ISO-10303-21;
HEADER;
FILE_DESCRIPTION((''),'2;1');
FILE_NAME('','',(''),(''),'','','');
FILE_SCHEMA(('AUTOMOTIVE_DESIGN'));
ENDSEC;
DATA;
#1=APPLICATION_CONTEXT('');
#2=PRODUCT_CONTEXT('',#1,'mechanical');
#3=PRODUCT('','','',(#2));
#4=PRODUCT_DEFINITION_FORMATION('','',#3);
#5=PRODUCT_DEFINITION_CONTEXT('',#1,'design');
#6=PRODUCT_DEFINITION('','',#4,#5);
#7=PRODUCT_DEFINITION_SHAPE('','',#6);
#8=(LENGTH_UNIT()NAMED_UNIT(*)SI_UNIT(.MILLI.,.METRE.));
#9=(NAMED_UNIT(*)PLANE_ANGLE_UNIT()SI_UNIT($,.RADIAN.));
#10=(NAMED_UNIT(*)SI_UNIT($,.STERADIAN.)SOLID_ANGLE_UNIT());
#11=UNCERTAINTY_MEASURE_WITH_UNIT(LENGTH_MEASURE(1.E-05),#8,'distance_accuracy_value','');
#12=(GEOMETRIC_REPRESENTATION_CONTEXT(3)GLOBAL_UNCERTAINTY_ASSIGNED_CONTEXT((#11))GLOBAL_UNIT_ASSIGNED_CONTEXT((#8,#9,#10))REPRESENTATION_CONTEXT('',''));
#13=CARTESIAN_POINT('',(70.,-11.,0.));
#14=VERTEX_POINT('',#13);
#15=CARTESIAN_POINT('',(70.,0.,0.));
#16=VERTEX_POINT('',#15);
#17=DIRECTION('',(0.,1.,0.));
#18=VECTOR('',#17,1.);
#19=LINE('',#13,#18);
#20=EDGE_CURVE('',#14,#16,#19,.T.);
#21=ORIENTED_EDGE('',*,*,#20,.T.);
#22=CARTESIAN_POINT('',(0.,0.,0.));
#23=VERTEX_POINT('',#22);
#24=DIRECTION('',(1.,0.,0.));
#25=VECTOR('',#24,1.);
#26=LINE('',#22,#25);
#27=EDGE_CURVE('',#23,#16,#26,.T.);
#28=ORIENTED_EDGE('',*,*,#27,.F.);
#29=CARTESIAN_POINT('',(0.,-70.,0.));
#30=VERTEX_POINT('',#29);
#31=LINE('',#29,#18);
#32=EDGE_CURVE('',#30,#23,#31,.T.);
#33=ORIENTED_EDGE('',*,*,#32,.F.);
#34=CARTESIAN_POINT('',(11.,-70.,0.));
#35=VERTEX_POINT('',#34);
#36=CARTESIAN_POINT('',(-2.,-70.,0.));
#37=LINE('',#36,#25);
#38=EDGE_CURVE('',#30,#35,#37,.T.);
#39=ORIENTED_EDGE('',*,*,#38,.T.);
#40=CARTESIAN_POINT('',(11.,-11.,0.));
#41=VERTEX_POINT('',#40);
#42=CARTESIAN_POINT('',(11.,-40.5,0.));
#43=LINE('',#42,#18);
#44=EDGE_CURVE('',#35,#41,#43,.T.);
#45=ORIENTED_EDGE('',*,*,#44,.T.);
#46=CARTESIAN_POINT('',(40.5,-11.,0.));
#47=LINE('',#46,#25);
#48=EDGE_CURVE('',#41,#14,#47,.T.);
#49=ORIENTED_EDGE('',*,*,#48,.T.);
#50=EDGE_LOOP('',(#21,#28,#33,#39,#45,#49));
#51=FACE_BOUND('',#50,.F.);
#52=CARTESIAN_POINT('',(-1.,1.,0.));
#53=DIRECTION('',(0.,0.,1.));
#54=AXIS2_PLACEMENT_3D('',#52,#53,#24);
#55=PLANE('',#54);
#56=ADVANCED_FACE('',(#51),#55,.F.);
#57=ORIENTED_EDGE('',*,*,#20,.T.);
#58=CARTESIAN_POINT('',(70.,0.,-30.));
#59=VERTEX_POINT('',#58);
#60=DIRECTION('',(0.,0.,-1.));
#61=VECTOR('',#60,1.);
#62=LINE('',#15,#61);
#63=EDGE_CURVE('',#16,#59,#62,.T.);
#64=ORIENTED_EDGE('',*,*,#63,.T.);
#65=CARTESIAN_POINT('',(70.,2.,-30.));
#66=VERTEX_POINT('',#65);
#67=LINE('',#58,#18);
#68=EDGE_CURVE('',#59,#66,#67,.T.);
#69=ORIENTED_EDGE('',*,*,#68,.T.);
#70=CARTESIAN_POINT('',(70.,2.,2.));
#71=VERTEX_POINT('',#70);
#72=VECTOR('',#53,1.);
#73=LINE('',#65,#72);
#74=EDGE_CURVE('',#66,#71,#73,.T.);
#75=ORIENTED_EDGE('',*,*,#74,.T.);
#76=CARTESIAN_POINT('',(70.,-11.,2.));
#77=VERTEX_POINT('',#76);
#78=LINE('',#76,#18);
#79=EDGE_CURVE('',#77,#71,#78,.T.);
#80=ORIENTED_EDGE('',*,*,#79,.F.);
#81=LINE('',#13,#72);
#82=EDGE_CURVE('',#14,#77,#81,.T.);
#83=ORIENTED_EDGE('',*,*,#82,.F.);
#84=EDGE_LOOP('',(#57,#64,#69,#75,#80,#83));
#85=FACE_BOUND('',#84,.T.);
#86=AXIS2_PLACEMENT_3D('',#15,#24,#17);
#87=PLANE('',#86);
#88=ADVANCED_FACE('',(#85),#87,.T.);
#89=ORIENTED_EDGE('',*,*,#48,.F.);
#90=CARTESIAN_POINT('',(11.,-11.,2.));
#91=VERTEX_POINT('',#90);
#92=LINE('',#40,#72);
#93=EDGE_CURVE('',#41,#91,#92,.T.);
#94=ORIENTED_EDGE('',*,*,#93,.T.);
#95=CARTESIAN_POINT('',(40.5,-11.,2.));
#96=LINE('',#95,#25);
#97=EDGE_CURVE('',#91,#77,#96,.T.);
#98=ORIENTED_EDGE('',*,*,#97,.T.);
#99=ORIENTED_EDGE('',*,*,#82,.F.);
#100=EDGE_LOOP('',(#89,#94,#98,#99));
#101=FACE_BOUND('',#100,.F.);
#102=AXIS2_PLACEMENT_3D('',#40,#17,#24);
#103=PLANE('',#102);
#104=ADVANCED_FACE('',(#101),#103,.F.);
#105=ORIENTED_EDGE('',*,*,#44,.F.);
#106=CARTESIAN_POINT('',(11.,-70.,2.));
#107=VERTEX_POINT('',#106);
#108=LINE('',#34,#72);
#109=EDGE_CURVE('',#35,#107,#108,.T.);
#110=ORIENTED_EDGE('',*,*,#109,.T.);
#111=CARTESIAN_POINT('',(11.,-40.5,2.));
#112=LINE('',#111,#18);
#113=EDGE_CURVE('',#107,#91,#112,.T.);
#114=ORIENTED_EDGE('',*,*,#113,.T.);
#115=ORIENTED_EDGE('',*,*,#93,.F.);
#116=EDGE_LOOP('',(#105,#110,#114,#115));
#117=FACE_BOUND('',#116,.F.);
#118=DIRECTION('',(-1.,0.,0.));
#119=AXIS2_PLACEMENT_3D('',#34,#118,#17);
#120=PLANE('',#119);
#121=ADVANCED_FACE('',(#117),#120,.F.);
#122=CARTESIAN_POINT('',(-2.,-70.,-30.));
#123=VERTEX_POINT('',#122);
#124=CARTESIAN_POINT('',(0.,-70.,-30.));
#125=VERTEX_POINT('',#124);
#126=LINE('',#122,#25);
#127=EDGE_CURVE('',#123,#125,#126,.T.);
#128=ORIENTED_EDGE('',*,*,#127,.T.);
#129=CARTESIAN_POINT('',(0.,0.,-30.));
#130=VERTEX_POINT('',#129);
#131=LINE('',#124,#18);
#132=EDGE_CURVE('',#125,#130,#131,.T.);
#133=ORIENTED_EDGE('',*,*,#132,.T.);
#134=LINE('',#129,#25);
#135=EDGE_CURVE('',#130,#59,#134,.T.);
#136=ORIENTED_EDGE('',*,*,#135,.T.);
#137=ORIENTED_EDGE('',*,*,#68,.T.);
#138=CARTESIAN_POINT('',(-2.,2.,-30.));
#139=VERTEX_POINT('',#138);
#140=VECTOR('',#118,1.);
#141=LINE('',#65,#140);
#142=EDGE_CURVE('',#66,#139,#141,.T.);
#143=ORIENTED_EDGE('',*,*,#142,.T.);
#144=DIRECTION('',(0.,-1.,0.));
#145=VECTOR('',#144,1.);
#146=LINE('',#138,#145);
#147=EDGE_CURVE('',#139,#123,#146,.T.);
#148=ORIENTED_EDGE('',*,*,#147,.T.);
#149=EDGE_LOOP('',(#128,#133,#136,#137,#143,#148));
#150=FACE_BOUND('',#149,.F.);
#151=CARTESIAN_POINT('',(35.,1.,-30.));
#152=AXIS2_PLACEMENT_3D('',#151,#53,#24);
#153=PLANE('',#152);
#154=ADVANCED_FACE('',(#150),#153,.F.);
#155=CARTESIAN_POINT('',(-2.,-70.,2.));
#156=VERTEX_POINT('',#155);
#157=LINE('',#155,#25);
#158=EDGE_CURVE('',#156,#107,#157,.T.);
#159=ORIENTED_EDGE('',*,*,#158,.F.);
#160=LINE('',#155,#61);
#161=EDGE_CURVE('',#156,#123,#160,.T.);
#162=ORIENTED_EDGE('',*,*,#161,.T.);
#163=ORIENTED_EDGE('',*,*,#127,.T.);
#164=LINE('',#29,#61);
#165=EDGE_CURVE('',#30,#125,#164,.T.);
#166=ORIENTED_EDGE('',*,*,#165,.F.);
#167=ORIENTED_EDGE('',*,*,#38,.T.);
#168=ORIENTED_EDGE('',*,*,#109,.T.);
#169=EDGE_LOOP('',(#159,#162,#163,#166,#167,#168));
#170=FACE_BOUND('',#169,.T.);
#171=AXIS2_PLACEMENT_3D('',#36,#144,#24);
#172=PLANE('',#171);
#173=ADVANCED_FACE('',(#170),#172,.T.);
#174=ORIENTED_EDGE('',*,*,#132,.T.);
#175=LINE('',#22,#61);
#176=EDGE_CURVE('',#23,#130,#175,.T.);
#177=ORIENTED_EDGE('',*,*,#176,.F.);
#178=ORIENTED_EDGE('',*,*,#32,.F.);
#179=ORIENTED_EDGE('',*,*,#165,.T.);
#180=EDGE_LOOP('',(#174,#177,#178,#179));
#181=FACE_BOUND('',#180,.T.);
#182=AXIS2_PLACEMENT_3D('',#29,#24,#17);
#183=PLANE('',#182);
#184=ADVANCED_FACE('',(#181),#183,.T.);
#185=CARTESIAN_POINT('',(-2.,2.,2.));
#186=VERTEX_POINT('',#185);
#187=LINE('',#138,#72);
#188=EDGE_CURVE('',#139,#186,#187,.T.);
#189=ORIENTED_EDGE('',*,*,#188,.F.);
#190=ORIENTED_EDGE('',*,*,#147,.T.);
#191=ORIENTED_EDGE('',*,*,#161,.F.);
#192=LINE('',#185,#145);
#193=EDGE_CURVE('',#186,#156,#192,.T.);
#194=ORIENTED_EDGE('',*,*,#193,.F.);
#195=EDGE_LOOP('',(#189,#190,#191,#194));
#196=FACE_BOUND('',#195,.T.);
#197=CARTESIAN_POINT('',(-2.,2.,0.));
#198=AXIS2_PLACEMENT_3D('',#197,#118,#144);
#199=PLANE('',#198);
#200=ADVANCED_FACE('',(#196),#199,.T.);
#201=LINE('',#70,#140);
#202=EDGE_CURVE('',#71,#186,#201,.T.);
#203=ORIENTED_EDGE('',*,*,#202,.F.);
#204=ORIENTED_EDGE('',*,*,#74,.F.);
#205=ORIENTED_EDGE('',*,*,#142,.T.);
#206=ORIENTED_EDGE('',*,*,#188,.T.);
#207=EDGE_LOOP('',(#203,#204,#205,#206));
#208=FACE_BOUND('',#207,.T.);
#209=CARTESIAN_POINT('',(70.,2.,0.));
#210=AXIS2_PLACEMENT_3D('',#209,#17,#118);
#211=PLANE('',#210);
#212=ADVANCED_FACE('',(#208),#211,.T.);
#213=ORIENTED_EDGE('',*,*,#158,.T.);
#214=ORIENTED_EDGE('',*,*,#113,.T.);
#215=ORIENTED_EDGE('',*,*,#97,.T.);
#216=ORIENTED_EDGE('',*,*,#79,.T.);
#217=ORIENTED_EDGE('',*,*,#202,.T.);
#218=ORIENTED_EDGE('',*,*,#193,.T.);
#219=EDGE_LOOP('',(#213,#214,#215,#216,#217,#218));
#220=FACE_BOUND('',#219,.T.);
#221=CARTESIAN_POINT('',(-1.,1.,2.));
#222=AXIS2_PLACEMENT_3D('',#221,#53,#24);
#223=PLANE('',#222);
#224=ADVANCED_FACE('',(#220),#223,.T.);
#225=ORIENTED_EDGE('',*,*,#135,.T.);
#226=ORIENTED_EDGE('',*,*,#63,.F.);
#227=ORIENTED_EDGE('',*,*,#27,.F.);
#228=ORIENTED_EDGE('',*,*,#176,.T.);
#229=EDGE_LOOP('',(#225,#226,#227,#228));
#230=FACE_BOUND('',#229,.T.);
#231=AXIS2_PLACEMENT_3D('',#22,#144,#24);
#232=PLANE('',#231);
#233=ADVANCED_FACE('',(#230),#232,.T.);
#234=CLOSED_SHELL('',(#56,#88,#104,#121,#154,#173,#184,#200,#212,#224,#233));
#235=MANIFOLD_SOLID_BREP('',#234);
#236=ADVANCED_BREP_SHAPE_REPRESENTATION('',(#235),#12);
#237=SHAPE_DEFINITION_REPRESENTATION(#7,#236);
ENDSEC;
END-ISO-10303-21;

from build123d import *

# Parameters (mm, degrees)
F0_W     = 2
F0_H     = 2
F0_W_2   = 59
F0_H_2   = 11
F0_W_3   = 11
F0_H_3   = 59
F1_DEPTH = 2
F2_DEPTH = 30


with BuildPart() as f1:
    # F0 (on Top) → F1 (new body)
    with BuildSketch(Plane.XY):
        with Locations((-1, 1)):
            Rectangle(F0_W, F0_H)
        Polygon((0, 2), (0, 0), (11, 0), (70, 0), (70, 2), align=None)
        with Locations((40.5, -5.5)):
            Rectangle(F0_W_2, F0_H_2)
        with Locations((5.5, -40.5)):
            Rectangle(F0_W_3, F0_H_3)
        Polygon((0, -11), (0, 0), (-2, 0), (-2, -70), (0, -70), align=None)
        with Locations((5.5, -5.5)):
            Rectangle(F0_W_3, F0_H_2)
    extrude(amount=F1_DEPTH)

    # F0 (on Top) → F2 (join)
    with BuildSketch(Plane.XY):
        Polygon((0, 2), (0, 0), (11, 0), (70, 0), (70, 2), align=None)
        Polygon((0, -11), (0, 0), (-2, 0), (-2, -70), (0, -70), align=None)
        with Locations((-1, 1)):
            Rectangle(F0_W, F0_H)
    extrude(amount=-F2_DEPTH)


solid = f1.part
